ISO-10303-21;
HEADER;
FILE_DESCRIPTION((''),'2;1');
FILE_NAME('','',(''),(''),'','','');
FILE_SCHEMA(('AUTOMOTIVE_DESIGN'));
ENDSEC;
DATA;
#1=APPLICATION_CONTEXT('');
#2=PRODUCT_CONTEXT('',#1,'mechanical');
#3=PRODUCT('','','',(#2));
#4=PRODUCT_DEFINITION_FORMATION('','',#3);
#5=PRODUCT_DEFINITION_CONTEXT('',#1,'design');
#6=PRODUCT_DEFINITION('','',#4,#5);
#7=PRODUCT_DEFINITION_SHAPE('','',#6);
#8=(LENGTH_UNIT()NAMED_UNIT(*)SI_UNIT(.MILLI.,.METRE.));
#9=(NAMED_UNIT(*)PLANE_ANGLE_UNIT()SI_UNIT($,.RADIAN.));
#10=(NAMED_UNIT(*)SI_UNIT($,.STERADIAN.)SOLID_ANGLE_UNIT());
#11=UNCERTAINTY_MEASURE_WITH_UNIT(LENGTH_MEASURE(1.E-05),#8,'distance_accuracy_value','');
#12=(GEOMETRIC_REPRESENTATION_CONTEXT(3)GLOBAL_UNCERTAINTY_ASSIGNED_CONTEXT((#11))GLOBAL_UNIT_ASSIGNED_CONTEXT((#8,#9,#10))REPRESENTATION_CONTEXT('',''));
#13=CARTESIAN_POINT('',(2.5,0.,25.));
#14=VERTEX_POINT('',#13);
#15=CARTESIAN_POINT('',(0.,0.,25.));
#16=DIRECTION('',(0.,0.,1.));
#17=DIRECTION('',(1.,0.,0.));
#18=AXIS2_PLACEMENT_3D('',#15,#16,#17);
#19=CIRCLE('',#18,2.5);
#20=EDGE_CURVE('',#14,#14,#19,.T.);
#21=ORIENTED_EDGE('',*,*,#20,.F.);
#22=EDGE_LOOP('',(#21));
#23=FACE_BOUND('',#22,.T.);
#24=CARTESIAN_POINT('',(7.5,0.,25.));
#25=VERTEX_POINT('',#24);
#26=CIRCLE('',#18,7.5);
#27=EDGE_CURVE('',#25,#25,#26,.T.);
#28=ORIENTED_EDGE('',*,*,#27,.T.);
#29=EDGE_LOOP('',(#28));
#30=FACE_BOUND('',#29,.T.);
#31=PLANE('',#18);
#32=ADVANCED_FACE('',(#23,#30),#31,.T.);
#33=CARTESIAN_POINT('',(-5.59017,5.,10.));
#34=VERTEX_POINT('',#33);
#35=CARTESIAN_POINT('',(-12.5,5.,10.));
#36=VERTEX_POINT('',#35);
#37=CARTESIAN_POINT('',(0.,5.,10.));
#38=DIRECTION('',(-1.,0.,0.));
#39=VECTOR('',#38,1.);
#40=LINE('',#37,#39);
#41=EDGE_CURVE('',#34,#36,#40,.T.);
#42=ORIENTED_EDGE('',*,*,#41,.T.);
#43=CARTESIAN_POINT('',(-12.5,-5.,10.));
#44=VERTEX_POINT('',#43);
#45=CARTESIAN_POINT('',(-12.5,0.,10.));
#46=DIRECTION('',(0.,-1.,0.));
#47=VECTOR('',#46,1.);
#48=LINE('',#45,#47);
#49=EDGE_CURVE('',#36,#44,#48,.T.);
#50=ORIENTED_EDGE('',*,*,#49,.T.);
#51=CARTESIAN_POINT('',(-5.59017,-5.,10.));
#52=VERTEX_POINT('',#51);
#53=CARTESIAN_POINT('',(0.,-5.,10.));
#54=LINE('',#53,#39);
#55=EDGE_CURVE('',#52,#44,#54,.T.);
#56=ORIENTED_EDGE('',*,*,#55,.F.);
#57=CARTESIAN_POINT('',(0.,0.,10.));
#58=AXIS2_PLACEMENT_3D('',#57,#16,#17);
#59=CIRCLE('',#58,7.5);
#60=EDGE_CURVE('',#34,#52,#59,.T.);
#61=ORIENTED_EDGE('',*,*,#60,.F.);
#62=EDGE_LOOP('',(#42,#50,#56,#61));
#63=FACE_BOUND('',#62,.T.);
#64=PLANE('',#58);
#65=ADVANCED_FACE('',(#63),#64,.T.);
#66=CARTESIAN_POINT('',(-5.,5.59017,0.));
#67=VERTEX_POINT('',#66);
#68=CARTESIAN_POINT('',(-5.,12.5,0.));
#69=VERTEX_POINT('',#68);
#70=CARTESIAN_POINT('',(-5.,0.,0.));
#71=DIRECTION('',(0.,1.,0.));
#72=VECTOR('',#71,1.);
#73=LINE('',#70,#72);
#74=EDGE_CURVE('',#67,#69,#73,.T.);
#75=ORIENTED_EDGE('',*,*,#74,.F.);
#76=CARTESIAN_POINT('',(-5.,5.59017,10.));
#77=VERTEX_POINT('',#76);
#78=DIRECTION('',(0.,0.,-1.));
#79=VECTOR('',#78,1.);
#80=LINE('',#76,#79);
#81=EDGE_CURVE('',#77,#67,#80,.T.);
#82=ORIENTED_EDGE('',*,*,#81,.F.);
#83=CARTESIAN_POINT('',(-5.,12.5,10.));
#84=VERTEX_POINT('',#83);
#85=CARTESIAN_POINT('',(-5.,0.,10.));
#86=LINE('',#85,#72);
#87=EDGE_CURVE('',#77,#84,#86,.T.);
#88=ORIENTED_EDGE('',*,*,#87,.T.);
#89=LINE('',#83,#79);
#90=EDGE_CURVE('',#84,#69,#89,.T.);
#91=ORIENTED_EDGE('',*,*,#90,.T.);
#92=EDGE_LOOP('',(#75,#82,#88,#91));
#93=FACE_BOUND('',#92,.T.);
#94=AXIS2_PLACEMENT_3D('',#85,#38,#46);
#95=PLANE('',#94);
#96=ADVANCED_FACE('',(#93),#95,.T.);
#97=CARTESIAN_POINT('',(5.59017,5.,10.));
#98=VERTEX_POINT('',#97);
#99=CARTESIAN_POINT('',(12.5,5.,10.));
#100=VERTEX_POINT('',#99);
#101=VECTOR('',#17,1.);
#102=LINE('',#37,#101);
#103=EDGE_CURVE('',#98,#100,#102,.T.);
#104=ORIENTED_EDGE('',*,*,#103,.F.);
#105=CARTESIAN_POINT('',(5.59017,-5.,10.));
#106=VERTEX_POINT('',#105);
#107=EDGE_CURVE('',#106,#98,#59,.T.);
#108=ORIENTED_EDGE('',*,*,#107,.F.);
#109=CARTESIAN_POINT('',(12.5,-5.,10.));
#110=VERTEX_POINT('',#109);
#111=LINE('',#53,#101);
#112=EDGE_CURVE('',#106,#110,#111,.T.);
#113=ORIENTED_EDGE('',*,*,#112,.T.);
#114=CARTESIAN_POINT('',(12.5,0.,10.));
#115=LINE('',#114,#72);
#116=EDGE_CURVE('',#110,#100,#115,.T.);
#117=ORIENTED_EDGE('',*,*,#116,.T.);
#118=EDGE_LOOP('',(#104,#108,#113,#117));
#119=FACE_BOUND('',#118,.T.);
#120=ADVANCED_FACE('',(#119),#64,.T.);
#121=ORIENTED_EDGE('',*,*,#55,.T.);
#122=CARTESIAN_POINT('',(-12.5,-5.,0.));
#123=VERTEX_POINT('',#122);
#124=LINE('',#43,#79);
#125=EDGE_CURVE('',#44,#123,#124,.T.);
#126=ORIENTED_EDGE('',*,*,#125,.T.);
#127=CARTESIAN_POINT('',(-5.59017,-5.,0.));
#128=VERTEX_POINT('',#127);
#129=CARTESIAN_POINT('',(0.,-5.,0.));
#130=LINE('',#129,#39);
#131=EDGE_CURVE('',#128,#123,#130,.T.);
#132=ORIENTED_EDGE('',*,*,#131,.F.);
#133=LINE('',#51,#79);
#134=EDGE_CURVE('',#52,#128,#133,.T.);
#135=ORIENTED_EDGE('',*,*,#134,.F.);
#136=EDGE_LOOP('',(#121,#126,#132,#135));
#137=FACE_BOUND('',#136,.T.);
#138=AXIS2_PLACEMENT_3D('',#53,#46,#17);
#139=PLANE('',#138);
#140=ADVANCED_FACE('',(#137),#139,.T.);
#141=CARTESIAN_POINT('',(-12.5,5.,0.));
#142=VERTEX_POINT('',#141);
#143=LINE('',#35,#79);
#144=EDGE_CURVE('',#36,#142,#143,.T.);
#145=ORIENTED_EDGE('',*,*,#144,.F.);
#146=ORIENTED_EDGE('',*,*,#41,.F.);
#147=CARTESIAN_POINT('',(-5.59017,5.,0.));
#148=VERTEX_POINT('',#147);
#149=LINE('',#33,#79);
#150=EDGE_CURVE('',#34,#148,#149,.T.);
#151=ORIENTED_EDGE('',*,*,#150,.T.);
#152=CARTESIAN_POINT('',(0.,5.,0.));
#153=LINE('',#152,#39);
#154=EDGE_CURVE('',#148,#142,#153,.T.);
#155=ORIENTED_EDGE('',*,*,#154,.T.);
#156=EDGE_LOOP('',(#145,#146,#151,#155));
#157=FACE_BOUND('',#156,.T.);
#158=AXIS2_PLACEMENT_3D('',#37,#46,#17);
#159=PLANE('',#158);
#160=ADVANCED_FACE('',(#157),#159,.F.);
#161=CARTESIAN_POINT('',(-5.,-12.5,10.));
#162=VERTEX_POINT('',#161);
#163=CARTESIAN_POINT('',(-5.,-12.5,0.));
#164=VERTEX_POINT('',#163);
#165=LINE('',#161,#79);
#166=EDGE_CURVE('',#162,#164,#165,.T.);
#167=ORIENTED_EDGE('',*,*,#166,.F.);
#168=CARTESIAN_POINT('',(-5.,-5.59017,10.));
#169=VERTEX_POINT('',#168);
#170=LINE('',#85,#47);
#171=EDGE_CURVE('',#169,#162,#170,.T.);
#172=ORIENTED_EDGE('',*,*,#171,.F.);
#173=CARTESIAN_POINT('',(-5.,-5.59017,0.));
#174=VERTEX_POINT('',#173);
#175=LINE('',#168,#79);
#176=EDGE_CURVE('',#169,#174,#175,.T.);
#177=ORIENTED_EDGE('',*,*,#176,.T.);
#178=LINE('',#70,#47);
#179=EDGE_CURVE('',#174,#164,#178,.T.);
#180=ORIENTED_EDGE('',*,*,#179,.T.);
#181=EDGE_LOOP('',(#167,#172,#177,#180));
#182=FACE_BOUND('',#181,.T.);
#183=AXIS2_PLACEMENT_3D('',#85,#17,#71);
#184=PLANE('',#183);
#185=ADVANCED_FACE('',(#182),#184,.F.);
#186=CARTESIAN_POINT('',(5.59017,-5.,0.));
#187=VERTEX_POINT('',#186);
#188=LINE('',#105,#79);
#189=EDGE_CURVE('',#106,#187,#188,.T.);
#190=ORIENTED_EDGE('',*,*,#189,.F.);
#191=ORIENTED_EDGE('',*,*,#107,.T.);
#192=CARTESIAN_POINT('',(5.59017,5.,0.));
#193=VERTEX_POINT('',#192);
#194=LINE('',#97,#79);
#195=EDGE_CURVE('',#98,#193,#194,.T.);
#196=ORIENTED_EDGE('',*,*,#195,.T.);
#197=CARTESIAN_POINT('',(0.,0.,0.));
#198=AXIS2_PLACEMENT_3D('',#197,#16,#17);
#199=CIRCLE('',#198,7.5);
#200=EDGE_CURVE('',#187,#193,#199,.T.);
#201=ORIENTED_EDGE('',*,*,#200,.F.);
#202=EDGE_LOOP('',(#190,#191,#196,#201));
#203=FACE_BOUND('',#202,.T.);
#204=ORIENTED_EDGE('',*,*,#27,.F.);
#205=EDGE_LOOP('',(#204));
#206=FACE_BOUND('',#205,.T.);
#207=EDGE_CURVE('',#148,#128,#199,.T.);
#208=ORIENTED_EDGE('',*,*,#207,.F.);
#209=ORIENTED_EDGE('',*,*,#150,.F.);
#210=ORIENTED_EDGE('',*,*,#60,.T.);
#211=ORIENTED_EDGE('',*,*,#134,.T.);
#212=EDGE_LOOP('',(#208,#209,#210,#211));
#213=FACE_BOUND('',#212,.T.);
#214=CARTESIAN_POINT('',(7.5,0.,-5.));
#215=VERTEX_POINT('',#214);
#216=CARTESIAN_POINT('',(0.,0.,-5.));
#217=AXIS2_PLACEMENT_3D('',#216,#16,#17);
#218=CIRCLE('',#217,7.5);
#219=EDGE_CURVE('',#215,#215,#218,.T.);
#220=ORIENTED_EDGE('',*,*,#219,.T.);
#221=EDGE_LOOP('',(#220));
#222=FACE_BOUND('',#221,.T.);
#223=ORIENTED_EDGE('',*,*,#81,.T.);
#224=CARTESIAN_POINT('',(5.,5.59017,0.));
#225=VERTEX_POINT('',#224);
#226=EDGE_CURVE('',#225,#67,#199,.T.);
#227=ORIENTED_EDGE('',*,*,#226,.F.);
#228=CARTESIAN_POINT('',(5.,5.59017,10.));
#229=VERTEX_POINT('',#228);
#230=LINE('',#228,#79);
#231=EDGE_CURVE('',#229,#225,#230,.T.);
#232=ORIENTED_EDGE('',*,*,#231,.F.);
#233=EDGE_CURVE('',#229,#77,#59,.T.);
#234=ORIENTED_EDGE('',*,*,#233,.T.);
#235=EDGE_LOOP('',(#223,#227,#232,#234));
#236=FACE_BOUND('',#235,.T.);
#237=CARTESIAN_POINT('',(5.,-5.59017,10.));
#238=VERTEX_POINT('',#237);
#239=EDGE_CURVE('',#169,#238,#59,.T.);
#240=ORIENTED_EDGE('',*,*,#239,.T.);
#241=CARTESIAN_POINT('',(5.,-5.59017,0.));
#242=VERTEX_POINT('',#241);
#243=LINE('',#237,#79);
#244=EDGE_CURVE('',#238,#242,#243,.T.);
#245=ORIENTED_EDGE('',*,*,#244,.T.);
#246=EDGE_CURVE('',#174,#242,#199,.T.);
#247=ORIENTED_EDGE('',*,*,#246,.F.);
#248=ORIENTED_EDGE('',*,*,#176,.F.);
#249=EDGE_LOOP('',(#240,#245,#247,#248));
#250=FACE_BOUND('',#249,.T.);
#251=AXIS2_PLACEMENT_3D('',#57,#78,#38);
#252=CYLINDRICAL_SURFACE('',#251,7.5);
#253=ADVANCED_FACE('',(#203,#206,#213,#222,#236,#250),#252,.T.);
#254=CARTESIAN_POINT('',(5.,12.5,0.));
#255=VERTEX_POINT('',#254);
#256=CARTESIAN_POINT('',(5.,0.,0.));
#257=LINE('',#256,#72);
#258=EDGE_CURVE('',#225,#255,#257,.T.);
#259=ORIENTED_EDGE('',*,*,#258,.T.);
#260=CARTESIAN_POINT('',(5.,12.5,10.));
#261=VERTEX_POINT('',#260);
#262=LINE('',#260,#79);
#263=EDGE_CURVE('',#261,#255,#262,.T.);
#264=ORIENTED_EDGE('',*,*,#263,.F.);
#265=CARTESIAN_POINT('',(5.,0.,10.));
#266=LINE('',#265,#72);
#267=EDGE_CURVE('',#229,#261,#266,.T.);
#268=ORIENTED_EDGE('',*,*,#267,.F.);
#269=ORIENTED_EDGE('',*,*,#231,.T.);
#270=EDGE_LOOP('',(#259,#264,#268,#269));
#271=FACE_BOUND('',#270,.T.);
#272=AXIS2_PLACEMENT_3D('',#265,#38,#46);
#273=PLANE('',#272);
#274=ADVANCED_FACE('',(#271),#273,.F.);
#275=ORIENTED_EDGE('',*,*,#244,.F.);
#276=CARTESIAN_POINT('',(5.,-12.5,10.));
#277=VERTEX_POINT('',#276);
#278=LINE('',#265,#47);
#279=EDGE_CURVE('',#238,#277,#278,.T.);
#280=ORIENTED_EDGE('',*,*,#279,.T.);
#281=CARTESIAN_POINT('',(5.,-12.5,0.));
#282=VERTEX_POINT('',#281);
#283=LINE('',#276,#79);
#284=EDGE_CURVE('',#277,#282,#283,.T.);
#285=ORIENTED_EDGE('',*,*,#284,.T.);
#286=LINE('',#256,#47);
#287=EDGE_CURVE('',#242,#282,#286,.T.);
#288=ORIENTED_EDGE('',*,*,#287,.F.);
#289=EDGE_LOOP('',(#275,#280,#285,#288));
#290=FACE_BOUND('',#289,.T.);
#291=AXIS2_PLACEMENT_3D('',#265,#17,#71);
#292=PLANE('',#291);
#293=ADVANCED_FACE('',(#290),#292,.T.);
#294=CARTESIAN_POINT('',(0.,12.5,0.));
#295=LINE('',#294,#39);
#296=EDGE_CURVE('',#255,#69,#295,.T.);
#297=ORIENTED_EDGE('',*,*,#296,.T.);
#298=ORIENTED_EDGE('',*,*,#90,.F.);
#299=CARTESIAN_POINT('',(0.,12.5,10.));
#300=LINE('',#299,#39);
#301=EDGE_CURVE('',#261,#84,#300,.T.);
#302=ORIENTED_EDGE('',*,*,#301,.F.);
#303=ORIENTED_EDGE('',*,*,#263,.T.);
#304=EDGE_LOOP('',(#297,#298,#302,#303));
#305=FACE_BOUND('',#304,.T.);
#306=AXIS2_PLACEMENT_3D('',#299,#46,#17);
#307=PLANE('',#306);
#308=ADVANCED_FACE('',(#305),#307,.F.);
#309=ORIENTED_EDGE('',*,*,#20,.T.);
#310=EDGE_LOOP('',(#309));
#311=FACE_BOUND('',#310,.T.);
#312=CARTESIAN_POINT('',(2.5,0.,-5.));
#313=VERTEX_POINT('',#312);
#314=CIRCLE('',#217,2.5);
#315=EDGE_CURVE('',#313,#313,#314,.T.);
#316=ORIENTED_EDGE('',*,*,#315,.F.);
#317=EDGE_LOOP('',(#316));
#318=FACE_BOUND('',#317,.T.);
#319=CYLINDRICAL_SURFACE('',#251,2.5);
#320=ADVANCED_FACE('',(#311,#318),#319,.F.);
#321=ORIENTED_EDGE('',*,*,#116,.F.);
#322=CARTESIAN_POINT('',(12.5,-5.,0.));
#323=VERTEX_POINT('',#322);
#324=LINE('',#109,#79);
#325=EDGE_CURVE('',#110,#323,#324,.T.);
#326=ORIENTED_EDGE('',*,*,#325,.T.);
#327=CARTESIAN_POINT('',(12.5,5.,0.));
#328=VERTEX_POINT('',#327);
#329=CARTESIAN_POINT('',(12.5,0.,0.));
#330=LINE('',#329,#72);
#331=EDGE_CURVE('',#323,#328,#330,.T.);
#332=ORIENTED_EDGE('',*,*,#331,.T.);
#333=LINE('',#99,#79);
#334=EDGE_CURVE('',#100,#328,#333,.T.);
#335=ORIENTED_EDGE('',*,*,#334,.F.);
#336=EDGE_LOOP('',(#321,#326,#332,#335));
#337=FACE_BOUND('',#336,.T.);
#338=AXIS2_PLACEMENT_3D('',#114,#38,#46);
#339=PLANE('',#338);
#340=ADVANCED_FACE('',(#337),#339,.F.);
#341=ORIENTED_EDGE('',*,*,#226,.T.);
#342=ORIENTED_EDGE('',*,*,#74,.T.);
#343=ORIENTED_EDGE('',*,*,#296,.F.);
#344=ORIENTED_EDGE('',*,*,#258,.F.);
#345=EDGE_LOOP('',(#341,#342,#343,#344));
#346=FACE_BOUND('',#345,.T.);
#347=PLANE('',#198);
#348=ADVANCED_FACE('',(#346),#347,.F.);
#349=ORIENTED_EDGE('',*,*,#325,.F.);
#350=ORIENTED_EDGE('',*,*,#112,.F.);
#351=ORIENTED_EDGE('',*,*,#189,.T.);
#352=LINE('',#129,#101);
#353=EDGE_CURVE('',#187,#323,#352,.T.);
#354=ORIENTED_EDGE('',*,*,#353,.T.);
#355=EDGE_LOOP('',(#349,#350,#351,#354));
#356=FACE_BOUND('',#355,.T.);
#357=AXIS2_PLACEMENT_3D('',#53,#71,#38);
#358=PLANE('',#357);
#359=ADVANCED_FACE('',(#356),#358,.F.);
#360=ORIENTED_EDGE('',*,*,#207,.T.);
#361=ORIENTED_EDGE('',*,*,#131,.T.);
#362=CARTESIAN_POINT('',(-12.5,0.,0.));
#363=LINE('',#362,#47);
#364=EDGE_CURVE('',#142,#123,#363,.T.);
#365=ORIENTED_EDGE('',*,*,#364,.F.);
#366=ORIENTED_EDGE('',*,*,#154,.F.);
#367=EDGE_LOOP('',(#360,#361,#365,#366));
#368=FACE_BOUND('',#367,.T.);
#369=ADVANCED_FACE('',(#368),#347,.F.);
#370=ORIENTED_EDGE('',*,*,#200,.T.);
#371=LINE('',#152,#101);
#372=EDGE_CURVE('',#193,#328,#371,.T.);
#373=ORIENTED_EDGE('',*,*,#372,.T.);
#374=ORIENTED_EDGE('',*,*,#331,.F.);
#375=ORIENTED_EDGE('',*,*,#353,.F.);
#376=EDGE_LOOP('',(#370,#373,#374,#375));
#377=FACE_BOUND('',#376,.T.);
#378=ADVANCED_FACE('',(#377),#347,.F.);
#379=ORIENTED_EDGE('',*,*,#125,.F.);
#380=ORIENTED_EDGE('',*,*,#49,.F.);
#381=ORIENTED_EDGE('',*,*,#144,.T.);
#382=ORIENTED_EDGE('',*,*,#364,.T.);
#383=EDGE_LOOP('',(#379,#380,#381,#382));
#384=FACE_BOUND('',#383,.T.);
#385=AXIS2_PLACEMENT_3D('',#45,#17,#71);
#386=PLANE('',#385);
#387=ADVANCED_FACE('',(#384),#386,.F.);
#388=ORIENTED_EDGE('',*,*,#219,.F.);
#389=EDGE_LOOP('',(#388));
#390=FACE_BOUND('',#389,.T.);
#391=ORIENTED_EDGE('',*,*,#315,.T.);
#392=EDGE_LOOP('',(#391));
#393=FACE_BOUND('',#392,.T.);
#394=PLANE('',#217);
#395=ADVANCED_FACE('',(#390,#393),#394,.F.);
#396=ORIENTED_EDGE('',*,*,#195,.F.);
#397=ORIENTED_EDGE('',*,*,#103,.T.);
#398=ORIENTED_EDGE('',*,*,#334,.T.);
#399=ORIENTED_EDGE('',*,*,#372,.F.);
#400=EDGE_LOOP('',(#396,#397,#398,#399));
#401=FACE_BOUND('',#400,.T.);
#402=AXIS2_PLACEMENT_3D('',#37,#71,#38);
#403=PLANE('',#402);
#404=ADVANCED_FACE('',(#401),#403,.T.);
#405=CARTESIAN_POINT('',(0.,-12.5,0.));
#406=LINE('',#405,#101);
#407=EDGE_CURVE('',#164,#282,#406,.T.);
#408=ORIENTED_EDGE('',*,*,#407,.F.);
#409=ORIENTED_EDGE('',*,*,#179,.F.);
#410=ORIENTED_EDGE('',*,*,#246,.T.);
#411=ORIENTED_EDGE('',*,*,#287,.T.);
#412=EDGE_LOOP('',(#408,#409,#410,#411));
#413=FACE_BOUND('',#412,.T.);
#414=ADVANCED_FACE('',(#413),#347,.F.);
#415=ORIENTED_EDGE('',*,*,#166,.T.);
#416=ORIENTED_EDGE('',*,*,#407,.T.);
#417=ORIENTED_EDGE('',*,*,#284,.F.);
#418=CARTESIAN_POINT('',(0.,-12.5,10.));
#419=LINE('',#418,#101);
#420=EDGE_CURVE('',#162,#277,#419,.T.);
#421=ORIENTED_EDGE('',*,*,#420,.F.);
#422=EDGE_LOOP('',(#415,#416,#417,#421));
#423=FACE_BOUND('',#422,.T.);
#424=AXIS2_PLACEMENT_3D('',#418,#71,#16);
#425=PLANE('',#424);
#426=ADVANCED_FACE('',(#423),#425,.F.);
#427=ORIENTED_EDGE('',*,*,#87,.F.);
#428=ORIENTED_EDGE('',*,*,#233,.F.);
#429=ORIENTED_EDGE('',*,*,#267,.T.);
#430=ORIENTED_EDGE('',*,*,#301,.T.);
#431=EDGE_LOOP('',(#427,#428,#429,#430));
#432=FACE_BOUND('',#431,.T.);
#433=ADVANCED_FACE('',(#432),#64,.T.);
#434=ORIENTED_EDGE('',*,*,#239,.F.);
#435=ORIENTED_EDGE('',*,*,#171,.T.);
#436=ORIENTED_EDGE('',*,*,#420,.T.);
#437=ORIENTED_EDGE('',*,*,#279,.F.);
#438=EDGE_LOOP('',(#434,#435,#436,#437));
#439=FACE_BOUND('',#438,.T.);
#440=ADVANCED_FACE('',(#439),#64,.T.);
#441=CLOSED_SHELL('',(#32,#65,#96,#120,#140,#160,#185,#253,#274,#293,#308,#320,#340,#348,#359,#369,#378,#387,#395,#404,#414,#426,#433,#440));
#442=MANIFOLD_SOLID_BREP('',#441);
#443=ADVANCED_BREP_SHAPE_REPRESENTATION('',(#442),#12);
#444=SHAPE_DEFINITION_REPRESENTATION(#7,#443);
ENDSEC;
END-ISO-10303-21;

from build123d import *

# Parameters (mm, degrees)
SKETCH1_R                = 7.5
SKETCH1_R_2              = 2.5
BOSS_EXTRUDE1_DEPTH      = 10
BOSS_EXTRUDE2_DEPTH      = 15
BOSS_EXTRUDE2_DEPTH_BACK = 15
SKETCH2_R                = 7.5
SKETCH2_R_2              = 2.5


with BuildPart() as part:
    # Sketch1 → Boss-Extrude1 (new body)
    # profile 1 of 5: a face of its own
    with BuildSketch(Plane.XY):
        with BuildLine():
            Line((-12.5, -5), (-5.590169944, -5))
            ThreePointArc((-5.590169944, -5), (-7.5, 0), (-5.590169944, 5))
            Line((-5.590169944, 5), (-12.5, 5))
            Line((-12.5, 5), (-12.5, -5))
        make_face()
    # profile 2 of 5: a face of its own
    with BuildSketch(Plane.XY):
        with BuildLine():
            ThreePointArc((5, -5.590169944), (0, -7.5), (-5, -5.590169944))
            Line((-5, -5.590169944), (-5, -12.5))
            Line((-5, -12.5), (5, -12.5))
            Line((5, -12.5), (5, -5.590169944))
        make_face()
    # profile 3 of 5: a face of its own
    with BuildSketch(Plane.XY):
        with BuildLine():
            Line((-5, 12.5), (-5, 5.590169944))
            ThreePointArc((-5, 5.590169944), (0, 7.5), (5, 5.590169944))
            Line((5, 5.590169944), (5, 12.5))
            Line((5, 12.5), (-5, 12.5))
        make_face()
    # profile 4 of 5: a face of its own
    with BuildSketch(Plane.XY):
        with BuildLine():
            ThreePointArc((7.5, 0), (7.006292692, -2.676165673), (5.590169944, -5))
            Line((5.590169944, -5), (12.5, -5))
            Line((12.5, -5), (12.5, 5))
            Line((12.5, 5), (5.590169944, 5))
            ThreePointArc((5.590169944, 5), (7.006292692, 2.676165673), (7.5, 0))
        make_face()
    # profile 5 of 5: a face of its own
    with BuildSketch(Plane.XY):
        Circle(SKETCH1_R)
        Circle(SKETCH1_R_2, mode=Mode.SUBTRACT)
    extrude(amount=BOSS_EXTRUDE1_DEPTH)

    # Sketch2 → Boss-Extrude2 (add, two sides: drawn at the far end of the back side and taken through both)
    with BuildSketch(Plane.XY.offset(10).offset(-BOSS_EXTRUDE2_DEPTH_BACK)):
        Circle(SKETCH2_R)
        Circle(SKETCH2_R_2, mode=Mode.SUBTRACT)
    extrude(amount=BOSS_EXTRUDE2_DEPTH + BOSS_EXTRUDE2_DEPTH_BACK)


solid = part.part
